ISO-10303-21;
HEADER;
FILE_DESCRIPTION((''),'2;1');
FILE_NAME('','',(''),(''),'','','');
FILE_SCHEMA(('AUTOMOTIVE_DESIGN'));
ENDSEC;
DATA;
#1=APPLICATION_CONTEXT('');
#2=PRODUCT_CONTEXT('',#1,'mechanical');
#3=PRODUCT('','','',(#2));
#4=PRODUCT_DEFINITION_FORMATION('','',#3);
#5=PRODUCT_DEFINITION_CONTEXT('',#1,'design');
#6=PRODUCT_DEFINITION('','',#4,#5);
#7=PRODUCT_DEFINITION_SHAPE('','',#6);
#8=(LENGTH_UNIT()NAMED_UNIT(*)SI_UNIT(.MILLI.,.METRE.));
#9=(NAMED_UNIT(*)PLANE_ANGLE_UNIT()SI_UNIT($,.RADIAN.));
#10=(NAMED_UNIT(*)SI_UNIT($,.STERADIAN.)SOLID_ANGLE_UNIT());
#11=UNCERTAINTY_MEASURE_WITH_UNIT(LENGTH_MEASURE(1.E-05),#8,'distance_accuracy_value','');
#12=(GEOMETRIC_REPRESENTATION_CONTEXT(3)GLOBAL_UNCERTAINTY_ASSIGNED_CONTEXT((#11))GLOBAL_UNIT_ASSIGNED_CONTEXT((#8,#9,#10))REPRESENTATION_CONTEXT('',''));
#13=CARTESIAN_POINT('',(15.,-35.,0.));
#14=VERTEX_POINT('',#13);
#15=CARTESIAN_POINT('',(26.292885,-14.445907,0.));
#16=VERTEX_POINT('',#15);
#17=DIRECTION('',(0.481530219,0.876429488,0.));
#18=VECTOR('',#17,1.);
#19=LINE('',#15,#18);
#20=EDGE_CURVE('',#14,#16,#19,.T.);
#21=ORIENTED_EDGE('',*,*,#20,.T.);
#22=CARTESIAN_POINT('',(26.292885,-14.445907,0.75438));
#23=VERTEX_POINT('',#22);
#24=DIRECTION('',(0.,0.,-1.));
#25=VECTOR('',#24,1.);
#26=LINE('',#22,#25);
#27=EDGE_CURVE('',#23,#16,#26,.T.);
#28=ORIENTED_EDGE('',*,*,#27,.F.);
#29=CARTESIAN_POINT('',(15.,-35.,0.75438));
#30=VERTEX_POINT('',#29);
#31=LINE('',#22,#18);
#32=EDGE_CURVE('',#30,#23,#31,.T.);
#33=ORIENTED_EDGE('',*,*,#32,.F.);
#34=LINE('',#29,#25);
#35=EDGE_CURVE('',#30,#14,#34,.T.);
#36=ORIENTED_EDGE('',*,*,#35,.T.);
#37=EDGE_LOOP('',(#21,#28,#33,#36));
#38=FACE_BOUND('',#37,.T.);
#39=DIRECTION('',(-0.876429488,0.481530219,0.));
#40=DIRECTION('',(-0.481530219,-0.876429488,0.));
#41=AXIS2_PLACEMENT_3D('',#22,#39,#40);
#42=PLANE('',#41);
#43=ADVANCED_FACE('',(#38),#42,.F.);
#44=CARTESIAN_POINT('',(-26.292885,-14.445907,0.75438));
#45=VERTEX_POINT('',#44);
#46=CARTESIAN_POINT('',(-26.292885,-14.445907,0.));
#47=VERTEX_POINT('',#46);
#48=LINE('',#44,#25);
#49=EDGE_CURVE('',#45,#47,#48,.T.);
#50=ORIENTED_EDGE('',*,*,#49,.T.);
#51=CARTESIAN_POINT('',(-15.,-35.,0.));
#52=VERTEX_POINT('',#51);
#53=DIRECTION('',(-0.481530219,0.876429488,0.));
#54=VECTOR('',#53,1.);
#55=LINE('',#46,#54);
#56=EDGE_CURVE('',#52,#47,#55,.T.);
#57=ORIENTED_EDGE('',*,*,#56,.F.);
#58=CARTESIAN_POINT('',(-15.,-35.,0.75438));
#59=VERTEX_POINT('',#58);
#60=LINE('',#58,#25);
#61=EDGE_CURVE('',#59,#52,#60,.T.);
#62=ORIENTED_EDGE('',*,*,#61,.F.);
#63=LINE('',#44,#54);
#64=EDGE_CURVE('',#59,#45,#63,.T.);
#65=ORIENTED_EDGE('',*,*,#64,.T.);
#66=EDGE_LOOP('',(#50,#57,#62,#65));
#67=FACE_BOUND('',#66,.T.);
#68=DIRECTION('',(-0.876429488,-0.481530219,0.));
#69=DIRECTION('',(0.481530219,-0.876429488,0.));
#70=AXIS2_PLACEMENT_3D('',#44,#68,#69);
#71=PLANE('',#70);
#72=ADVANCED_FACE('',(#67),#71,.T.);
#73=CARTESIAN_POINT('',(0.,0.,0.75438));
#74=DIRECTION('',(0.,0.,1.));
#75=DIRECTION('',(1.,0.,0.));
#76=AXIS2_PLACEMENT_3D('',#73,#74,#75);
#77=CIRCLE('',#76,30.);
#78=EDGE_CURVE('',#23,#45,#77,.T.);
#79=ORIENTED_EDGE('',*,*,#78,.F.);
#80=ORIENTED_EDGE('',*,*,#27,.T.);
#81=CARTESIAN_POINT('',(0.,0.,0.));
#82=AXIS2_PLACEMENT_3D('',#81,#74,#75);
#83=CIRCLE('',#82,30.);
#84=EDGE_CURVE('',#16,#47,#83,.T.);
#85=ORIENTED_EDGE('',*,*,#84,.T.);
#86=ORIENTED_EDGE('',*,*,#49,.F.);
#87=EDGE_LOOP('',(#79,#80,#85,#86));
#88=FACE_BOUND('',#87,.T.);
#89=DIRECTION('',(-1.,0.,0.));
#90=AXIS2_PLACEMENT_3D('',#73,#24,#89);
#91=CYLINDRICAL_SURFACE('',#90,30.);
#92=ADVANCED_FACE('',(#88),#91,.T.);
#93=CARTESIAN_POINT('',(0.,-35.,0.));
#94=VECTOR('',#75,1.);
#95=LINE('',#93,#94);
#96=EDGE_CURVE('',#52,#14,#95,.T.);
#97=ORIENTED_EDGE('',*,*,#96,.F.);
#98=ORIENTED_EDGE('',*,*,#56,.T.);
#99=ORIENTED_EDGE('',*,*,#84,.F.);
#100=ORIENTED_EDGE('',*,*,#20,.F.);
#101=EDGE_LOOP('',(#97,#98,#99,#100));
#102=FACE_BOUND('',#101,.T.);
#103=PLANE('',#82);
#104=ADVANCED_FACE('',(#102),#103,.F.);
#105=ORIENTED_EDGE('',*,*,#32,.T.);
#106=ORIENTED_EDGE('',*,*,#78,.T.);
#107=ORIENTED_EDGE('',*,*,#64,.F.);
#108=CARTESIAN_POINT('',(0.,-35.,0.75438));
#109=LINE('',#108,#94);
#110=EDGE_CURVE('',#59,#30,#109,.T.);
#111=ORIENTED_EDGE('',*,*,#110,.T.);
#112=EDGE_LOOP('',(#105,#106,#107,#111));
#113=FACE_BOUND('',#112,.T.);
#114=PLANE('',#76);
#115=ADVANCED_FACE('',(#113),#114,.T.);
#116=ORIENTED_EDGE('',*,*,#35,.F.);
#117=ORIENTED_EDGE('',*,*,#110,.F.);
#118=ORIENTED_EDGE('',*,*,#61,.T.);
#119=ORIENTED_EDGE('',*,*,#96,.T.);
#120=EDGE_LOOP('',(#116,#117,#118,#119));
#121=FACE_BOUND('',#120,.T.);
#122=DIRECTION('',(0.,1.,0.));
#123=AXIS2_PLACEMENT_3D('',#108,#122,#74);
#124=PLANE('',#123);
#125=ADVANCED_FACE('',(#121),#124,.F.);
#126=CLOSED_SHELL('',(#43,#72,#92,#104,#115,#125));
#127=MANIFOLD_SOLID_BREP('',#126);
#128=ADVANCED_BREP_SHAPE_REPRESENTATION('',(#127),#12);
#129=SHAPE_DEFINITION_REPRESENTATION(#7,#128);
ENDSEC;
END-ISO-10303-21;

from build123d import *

# Parameters (mm, degrees)
BOSS_EXTRUDE1_DEPTH = 0.75438


with BuildPart() as part:
    # Sketch1 → Boss-Extrude1 (new body)
    with BuildSketch(Plane.XY):
        with BuildLine():
            Line((-26.292884648, -14.44590658), (-15, -35))
            Line((-15, -35), (-7.5, -35))
            Line((-7.5, -35), (15, -35))
            Line((15, -35), (26.292884648, -14.44590658))
            ThreePointArc((26.292884648, -14.44590658), (0, 30), (-26.292884648, -14.44590658))
        make_face()
    extrude(amount=BOSS_EXTRUDE1_DEPTH)


solid = part.part
